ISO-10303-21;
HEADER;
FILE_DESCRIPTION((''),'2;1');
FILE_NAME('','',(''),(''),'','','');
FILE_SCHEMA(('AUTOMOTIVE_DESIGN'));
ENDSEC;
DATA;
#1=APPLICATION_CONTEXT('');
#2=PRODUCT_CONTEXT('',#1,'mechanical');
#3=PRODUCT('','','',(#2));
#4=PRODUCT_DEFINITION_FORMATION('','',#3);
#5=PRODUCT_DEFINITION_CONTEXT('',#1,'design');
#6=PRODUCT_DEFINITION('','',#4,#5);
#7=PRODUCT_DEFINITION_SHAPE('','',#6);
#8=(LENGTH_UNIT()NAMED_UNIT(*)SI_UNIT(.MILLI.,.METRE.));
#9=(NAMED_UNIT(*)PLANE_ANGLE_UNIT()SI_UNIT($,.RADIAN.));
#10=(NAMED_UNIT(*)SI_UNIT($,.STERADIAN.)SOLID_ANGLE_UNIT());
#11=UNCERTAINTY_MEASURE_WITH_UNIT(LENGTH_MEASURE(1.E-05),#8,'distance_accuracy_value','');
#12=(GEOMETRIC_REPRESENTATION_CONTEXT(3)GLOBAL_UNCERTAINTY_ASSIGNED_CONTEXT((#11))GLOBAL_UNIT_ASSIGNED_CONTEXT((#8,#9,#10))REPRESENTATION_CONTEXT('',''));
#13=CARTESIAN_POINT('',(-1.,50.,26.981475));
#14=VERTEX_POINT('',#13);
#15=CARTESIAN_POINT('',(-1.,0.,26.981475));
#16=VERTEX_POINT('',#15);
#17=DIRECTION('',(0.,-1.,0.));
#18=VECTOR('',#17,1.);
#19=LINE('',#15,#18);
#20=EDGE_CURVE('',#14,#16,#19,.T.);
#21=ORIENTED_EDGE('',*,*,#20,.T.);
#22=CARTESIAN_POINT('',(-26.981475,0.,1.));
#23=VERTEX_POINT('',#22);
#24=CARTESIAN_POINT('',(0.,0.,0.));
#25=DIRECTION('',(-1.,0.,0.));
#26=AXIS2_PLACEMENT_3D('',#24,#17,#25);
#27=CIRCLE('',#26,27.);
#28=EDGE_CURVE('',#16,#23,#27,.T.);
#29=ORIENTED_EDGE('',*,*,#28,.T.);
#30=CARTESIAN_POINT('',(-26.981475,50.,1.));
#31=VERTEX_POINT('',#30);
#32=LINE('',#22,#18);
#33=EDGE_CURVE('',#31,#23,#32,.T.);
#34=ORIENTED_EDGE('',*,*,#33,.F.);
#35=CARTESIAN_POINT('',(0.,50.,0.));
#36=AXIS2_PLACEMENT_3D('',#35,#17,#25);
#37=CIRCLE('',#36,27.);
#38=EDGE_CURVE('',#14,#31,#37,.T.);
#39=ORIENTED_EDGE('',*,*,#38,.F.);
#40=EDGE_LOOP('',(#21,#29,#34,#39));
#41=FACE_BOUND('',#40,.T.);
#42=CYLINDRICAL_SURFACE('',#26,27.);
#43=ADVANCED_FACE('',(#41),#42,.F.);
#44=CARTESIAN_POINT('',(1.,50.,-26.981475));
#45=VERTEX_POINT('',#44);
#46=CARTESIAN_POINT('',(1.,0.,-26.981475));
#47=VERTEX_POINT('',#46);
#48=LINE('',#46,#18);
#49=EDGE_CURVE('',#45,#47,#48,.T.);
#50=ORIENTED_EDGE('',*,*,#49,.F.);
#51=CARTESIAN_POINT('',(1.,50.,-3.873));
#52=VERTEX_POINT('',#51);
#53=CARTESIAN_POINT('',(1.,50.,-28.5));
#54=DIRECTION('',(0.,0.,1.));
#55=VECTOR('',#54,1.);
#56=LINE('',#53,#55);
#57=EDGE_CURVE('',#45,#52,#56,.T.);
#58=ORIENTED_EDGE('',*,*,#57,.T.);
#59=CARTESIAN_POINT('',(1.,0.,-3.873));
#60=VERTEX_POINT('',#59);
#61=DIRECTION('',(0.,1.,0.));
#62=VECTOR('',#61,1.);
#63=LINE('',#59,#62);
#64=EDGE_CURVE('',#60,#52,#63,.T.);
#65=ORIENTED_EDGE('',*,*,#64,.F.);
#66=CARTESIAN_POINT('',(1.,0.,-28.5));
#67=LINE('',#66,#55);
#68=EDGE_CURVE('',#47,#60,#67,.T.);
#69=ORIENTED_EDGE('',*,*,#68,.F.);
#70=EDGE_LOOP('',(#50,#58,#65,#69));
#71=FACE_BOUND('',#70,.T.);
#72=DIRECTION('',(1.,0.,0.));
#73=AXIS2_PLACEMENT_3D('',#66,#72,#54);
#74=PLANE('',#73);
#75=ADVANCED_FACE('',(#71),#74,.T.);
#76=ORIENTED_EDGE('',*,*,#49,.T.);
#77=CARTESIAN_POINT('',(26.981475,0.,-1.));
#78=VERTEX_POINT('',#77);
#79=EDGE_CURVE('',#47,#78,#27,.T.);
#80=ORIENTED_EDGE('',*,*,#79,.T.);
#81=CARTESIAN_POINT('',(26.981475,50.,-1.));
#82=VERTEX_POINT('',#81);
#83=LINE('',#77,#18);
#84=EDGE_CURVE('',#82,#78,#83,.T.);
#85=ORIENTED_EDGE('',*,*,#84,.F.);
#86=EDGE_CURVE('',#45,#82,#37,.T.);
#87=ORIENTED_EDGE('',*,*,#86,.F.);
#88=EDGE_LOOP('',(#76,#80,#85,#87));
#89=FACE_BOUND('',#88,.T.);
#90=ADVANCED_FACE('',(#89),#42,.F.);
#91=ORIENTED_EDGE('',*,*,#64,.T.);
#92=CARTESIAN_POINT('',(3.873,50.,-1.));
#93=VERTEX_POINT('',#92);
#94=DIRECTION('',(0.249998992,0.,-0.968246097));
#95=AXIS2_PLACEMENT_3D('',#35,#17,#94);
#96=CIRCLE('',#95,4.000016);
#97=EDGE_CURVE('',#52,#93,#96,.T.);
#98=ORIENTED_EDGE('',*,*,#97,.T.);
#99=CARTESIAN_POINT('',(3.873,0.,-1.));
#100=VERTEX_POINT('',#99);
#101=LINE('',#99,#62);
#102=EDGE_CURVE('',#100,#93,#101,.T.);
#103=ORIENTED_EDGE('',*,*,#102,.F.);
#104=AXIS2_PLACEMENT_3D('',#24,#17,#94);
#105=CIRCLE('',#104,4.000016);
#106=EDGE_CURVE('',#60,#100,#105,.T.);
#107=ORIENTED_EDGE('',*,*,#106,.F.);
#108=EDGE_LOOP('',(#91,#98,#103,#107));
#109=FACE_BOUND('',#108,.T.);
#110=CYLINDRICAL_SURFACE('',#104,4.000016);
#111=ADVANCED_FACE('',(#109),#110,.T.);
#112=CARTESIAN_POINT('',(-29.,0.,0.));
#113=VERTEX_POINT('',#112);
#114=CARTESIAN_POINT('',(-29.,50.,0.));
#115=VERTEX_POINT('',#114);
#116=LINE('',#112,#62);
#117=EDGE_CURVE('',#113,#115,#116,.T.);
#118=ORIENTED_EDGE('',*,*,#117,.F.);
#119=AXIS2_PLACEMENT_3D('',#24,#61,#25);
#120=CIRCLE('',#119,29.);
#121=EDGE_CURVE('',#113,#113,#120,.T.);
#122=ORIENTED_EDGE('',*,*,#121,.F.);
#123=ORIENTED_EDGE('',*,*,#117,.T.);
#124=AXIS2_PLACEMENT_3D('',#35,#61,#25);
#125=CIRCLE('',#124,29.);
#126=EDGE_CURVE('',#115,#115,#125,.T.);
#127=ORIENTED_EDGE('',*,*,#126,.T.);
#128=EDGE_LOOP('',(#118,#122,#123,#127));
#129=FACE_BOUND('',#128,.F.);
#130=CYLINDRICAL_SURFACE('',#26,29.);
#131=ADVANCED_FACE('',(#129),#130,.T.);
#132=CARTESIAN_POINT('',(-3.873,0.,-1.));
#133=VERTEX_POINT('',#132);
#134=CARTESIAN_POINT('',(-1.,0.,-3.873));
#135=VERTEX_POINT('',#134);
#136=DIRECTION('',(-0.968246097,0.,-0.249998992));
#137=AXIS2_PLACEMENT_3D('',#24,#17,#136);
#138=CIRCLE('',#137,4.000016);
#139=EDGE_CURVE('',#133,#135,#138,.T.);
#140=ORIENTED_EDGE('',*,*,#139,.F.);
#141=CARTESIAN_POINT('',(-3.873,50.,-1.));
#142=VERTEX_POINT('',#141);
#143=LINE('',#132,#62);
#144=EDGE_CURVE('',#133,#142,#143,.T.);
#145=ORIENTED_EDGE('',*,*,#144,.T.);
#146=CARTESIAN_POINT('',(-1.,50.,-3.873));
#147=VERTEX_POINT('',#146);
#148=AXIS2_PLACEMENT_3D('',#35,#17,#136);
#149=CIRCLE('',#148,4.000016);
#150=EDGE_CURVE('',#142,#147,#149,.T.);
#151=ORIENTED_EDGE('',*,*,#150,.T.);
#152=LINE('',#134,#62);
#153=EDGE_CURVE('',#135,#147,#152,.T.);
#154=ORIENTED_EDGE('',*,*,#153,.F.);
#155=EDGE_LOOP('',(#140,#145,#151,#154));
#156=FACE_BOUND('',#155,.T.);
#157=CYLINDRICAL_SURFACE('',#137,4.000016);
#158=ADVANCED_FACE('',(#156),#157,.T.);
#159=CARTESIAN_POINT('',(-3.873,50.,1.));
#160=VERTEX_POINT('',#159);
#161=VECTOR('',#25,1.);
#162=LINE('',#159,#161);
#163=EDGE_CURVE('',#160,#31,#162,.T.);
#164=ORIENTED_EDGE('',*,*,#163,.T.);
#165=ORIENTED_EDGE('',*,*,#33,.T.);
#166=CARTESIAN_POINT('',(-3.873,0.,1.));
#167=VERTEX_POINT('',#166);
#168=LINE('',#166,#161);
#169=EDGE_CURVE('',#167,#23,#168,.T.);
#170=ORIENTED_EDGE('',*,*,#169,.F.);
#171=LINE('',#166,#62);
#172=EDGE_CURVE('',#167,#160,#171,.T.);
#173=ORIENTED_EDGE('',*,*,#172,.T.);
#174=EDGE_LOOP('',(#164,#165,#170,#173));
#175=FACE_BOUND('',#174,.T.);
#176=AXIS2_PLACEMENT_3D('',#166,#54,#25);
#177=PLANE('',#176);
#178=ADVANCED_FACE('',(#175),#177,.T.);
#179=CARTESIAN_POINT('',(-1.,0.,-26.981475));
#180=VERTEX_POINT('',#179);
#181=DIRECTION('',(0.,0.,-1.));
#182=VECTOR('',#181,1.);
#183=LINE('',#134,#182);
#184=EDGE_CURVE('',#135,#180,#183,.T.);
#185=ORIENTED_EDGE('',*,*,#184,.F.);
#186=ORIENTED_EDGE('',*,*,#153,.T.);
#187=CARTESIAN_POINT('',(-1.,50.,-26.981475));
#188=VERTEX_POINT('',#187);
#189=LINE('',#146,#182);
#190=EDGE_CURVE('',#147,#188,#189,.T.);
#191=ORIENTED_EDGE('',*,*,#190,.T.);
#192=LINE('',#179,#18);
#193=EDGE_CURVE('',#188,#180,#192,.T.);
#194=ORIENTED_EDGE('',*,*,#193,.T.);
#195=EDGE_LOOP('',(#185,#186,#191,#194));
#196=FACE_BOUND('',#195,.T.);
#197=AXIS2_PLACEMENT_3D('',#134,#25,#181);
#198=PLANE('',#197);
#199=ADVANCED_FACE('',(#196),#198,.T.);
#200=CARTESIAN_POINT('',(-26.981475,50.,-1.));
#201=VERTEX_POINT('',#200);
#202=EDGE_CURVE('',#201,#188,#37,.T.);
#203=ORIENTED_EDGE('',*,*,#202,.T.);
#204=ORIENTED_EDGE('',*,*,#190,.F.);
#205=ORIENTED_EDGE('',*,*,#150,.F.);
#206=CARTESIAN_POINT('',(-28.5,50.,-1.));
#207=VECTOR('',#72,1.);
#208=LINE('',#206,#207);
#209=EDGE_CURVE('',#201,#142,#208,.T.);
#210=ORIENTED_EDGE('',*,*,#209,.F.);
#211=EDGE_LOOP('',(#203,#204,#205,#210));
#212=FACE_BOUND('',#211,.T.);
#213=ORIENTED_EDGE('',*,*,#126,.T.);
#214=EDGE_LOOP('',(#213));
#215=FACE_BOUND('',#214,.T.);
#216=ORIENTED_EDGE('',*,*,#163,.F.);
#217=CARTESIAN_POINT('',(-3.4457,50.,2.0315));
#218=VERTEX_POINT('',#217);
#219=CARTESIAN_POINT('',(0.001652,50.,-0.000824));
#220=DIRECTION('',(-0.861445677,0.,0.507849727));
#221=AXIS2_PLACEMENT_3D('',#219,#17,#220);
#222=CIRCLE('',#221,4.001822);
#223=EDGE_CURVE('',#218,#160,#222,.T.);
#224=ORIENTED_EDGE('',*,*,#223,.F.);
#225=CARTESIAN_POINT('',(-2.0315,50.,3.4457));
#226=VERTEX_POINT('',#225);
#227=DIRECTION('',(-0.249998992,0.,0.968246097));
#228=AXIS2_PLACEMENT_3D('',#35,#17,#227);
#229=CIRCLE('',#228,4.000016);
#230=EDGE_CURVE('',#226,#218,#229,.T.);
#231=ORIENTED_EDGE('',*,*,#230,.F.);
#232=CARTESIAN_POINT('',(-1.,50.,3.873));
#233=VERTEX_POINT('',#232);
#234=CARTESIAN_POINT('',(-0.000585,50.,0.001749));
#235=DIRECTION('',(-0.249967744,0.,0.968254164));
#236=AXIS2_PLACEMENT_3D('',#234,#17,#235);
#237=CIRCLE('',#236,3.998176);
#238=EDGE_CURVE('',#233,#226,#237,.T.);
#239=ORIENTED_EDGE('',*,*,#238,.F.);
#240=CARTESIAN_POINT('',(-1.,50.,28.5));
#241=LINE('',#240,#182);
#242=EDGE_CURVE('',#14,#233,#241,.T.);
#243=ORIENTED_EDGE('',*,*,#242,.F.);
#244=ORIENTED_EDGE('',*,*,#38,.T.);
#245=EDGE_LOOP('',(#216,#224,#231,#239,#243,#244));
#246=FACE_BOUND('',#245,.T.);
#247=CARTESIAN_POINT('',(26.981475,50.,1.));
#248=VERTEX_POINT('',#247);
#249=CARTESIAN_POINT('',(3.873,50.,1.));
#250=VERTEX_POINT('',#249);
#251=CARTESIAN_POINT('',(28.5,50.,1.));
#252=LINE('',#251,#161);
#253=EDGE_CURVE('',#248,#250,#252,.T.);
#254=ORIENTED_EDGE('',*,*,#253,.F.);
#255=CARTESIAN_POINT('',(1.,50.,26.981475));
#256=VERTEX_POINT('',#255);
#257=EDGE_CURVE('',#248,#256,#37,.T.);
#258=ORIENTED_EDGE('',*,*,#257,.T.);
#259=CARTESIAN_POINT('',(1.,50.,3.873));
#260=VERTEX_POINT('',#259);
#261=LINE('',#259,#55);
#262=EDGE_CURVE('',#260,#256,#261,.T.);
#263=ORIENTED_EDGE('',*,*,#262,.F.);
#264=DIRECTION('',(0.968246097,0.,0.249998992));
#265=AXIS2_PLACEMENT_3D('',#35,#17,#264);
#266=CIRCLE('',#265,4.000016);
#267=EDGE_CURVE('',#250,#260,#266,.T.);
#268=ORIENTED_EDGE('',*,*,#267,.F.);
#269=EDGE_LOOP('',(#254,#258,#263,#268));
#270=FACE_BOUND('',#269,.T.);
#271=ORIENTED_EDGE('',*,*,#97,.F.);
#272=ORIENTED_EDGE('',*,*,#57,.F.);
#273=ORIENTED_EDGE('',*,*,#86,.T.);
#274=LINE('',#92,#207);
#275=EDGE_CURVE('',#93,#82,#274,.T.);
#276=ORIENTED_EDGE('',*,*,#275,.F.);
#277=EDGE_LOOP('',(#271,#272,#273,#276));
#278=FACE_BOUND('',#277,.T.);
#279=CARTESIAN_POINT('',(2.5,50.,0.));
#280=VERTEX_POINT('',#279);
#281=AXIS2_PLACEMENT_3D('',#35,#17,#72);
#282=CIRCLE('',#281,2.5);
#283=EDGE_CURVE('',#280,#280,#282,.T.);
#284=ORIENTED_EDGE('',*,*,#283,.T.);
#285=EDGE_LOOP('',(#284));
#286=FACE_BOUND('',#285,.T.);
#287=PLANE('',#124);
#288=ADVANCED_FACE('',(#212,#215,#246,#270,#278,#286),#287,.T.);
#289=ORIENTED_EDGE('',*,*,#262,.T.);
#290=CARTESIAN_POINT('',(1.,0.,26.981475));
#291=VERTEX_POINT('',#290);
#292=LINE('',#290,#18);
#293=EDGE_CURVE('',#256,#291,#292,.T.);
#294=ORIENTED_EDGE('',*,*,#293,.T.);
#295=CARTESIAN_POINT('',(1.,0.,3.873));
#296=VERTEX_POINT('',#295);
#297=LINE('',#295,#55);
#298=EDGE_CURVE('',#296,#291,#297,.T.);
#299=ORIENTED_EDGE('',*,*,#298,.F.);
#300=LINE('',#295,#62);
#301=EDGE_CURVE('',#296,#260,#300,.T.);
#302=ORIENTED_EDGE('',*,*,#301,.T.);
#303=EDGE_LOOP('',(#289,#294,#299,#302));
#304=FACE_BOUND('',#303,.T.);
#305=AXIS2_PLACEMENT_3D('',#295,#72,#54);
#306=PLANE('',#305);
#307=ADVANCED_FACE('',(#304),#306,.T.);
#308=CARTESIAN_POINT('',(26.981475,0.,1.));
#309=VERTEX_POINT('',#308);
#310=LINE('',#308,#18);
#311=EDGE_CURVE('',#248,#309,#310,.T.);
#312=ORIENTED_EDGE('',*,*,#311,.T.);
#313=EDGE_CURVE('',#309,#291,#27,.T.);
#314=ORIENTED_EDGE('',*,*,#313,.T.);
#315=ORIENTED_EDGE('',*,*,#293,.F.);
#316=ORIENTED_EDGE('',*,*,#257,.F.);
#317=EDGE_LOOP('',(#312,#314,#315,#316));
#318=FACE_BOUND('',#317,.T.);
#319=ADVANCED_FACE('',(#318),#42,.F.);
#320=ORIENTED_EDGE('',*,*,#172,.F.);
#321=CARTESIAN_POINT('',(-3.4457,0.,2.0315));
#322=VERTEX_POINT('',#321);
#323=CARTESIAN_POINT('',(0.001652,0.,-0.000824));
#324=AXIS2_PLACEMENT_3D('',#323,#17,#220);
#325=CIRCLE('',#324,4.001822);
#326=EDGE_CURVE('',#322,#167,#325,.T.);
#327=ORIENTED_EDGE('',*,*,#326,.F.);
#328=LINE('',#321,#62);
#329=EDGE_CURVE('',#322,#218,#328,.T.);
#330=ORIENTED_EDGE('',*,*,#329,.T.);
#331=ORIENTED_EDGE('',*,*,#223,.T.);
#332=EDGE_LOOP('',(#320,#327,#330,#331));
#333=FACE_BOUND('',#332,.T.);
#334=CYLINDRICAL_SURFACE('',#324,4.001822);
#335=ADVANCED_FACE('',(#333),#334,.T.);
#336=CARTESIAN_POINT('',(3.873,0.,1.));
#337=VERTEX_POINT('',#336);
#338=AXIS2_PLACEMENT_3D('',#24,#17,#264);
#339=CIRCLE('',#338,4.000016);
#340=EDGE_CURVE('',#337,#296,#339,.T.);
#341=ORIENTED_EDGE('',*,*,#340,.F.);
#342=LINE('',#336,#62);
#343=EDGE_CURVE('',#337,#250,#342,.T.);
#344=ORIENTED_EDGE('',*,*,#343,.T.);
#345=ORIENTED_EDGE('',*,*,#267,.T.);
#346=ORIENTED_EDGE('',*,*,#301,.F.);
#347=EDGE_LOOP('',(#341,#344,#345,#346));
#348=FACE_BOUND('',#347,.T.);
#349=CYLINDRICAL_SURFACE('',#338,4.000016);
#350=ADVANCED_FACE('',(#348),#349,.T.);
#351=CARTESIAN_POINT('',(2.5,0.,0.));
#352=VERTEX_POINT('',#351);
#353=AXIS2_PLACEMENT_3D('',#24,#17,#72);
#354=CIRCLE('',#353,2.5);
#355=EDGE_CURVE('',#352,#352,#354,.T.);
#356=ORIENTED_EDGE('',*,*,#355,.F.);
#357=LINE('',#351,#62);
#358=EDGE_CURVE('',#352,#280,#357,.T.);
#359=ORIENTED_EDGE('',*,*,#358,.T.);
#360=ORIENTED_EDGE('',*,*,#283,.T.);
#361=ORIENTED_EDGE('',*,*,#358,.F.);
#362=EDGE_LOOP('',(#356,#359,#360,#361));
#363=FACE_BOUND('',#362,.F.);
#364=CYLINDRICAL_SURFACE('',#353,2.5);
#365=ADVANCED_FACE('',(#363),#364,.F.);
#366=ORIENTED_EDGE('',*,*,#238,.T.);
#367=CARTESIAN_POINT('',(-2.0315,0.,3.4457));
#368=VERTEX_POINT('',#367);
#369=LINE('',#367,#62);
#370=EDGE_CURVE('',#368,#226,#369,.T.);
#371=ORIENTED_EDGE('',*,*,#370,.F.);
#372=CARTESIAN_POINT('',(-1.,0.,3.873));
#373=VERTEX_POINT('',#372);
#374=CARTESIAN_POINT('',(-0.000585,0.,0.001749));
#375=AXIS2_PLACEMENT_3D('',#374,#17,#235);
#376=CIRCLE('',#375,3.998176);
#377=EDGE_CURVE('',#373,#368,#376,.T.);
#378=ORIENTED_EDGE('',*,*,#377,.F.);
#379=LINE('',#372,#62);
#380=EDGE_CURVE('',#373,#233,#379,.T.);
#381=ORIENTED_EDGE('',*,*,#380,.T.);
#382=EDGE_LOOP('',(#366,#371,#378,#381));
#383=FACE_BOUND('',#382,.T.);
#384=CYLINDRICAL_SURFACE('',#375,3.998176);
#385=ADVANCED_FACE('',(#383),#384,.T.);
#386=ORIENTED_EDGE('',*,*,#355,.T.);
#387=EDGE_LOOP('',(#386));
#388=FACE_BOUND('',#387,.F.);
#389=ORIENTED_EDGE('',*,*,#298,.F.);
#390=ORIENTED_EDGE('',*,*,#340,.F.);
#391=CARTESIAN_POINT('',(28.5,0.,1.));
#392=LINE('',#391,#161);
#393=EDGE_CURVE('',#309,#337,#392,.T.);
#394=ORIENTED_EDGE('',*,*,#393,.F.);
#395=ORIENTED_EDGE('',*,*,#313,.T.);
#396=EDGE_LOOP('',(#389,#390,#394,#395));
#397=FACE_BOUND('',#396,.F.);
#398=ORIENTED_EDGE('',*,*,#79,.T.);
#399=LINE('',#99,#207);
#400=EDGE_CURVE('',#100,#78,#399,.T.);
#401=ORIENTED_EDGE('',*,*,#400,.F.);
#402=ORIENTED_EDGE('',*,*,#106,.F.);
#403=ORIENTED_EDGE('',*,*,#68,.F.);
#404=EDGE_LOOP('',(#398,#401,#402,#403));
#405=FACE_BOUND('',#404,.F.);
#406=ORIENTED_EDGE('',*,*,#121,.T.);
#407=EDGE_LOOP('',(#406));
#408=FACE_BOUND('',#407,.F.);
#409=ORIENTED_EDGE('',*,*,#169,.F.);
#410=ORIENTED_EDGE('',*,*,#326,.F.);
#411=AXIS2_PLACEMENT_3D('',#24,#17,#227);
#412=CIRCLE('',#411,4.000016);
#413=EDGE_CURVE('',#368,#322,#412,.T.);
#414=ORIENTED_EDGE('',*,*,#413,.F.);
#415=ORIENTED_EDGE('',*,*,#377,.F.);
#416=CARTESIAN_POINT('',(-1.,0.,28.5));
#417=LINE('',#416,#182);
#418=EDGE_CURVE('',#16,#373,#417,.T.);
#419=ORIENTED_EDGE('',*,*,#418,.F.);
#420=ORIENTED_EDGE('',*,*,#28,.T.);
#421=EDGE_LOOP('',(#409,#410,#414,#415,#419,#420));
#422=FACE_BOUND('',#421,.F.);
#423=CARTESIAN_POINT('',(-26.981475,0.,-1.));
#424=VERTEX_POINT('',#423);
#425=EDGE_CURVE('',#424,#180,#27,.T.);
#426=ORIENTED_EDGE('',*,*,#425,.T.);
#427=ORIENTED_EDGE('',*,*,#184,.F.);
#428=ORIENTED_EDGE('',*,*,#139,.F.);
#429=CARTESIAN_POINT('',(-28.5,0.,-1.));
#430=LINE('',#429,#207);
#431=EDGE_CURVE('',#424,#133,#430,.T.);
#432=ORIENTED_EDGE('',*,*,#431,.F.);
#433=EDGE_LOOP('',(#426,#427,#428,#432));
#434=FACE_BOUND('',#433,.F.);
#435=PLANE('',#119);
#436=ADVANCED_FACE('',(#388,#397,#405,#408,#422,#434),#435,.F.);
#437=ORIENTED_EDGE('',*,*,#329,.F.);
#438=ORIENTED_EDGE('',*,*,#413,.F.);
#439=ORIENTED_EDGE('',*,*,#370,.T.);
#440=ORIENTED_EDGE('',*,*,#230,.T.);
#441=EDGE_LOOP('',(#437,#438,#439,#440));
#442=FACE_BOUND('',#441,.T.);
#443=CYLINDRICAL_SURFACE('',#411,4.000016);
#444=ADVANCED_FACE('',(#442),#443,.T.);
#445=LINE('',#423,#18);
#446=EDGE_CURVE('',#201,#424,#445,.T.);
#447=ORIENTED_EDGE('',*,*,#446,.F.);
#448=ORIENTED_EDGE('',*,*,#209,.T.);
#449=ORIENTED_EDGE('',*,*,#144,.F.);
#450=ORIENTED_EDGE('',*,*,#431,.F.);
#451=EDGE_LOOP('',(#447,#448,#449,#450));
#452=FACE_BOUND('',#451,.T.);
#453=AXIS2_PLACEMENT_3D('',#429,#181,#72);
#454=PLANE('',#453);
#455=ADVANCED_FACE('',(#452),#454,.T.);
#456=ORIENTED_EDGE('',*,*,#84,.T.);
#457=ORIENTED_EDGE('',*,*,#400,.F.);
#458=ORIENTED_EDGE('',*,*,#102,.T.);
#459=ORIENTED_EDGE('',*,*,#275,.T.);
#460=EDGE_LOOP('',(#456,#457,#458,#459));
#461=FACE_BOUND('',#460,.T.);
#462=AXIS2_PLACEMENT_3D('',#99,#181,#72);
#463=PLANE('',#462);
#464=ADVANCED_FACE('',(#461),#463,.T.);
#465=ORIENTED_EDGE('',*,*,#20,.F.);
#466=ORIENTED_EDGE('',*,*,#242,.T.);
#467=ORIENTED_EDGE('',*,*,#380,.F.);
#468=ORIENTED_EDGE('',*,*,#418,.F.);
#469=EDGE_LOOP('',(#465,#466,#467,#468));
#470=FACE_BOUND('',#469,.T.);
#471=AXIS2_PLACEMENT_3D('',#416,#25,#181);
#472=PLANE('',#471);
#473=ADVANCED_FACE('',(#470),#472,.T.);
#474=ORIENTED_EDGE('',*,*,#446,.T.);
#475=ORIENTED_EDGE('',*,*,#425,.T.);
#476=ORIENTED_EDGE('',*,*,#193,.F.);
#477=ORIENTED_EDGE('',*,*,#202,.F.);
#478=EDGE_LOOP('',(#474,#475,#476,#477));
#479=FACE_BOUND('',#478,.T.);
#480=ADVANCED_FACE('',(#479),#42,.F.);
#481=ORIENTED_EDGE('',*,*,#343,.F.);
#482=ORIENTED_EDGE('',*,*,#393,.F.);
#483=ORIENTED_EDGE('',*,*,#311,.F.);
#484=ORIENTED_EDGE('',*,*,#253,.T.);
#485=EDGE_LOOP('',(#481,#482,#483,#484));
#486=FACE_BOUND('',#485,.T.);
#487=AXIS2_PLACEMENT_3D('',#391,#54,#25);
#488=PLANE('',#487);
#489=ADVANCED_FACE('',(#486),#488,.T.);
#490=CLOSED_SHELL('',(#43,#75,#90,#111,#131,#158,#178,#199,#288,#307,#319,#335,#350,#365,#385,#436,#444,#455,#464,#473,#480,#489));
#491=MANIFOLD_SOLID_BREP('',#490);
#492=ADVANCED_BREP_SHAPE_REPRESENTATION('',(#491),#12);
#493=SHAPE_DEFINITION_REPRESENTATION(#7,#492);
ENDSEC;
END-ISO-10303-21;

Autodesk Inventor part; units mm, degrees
ref_plane "YZ Plane" through (0, 0, 0) normal (1, 0, 0) x (0, 1, 0)
ref_plane "XZ Plane" through (0, 0, 0) normal (0, 1, 0) x (-1, 0, 0)
ref_plane "XY Plane" through (0, 0, 0) normal (0, 0, 1) x (1, 0, 0)
sketch "Boceto1" plane through (0, 0, 0) normal (0, 1, 0) x (-1, 0, 0)
  circle A0 centre (0, 0) radius 29
  dimension "d0" = 58
extrude "Extrusión1" add sketch "Boceto1" along normal blind 50
shell "Vaciado1" thickness 2 removed faces 2 at (2.104, 0, -7.1206) at (2.104, 50, -7.1206)
sketch "Boceto2" plane through (0, 0, 0) normal (0, -1, 0) x (1, 0, 0)
  line L0 (1, 28.5) -> (-1, 28.5)
  line L1 (-1, -28.5) -> (1, -28.5)
  line L2 (-28.5, 1) -> (-28.5, -1)
  line L3 (28.5, -1) -> (28.5, 1)
  line L4 (-19.4454, 20.8597) -> (-20.8597, 19.4454)
  line L5 (19.4454, -20.8597) -> (20.8597, -19.4454)
  line L6 (-64.7852, 95.7171) -> (-23.0659, 56.8262) construction
  line L7 (-20.8597, -19.4454) -> (-19.4454, -20.8597)
  line L8 (20.8597, 19.4454) -> (19.4454, 20.8597)
  arc A0 (-1, 3.873) -> (-2.0315, 3.4457) centre (0, 0) ccw
  line L9 (-1, 28.5) -> (-1, 3.873)
  line L10 (-3.873, 1) -> (-28.5, 1)
  line L11 (-28.5, -1) -> (-3.873, -1)
  line L12 (3.873, -1) -> (28.5, -1)
  line L13 (28.5, 1) -> (3.873, 1)
  line L14 (-1, -3.873) -> (-1, -28.5)
  line L15 (1, -28.5) -> (1, -3.873)
  line L16 (1, 3.873) -> (1, 28.5)
  arc A1 (3.873, 1) -> (1, 3.873) centre (0, 0) ccw
  arc A2 (1, -3.873) -> (3.873, -1) centre (0, 0) ccw
  arc A3 (1, -3.873) -> (3.873, -1) centre (0, 0) ccw
  arc A4 (-3.873, -1) -> (-1, -3.873) centre (0, 0) ccw
  arc A5 (-3.873, -1) -> (-1, -3.873) centre (0, 0) ccw
  arc A6 (-3.4457, 2.0315) -> (-3.873, 1) centre (0, 0) ccw
  arc A7 (3.873, 1) -> (1, 3.873) centre (0, 0) ccw
  arc A8 (-1, 3.873) -> (-3.873, 1) centre (0, 0) ccw
  circle A9 centre (0, 0) radius 2.5
  dimension "d4" = 2
  dimension "d5" = 57
  dimension "d6" = 57
  dimension "d7" = 2
  dimension "d12" = 2
  dimension "d13" = 57
  dimension "d14" = 57
  dimension "d15" = 2
  dimension "d17" = 5
extrude "Extrusión2" add sketch "Boceto2" against normal blind 50
properties part number "Tambor"
